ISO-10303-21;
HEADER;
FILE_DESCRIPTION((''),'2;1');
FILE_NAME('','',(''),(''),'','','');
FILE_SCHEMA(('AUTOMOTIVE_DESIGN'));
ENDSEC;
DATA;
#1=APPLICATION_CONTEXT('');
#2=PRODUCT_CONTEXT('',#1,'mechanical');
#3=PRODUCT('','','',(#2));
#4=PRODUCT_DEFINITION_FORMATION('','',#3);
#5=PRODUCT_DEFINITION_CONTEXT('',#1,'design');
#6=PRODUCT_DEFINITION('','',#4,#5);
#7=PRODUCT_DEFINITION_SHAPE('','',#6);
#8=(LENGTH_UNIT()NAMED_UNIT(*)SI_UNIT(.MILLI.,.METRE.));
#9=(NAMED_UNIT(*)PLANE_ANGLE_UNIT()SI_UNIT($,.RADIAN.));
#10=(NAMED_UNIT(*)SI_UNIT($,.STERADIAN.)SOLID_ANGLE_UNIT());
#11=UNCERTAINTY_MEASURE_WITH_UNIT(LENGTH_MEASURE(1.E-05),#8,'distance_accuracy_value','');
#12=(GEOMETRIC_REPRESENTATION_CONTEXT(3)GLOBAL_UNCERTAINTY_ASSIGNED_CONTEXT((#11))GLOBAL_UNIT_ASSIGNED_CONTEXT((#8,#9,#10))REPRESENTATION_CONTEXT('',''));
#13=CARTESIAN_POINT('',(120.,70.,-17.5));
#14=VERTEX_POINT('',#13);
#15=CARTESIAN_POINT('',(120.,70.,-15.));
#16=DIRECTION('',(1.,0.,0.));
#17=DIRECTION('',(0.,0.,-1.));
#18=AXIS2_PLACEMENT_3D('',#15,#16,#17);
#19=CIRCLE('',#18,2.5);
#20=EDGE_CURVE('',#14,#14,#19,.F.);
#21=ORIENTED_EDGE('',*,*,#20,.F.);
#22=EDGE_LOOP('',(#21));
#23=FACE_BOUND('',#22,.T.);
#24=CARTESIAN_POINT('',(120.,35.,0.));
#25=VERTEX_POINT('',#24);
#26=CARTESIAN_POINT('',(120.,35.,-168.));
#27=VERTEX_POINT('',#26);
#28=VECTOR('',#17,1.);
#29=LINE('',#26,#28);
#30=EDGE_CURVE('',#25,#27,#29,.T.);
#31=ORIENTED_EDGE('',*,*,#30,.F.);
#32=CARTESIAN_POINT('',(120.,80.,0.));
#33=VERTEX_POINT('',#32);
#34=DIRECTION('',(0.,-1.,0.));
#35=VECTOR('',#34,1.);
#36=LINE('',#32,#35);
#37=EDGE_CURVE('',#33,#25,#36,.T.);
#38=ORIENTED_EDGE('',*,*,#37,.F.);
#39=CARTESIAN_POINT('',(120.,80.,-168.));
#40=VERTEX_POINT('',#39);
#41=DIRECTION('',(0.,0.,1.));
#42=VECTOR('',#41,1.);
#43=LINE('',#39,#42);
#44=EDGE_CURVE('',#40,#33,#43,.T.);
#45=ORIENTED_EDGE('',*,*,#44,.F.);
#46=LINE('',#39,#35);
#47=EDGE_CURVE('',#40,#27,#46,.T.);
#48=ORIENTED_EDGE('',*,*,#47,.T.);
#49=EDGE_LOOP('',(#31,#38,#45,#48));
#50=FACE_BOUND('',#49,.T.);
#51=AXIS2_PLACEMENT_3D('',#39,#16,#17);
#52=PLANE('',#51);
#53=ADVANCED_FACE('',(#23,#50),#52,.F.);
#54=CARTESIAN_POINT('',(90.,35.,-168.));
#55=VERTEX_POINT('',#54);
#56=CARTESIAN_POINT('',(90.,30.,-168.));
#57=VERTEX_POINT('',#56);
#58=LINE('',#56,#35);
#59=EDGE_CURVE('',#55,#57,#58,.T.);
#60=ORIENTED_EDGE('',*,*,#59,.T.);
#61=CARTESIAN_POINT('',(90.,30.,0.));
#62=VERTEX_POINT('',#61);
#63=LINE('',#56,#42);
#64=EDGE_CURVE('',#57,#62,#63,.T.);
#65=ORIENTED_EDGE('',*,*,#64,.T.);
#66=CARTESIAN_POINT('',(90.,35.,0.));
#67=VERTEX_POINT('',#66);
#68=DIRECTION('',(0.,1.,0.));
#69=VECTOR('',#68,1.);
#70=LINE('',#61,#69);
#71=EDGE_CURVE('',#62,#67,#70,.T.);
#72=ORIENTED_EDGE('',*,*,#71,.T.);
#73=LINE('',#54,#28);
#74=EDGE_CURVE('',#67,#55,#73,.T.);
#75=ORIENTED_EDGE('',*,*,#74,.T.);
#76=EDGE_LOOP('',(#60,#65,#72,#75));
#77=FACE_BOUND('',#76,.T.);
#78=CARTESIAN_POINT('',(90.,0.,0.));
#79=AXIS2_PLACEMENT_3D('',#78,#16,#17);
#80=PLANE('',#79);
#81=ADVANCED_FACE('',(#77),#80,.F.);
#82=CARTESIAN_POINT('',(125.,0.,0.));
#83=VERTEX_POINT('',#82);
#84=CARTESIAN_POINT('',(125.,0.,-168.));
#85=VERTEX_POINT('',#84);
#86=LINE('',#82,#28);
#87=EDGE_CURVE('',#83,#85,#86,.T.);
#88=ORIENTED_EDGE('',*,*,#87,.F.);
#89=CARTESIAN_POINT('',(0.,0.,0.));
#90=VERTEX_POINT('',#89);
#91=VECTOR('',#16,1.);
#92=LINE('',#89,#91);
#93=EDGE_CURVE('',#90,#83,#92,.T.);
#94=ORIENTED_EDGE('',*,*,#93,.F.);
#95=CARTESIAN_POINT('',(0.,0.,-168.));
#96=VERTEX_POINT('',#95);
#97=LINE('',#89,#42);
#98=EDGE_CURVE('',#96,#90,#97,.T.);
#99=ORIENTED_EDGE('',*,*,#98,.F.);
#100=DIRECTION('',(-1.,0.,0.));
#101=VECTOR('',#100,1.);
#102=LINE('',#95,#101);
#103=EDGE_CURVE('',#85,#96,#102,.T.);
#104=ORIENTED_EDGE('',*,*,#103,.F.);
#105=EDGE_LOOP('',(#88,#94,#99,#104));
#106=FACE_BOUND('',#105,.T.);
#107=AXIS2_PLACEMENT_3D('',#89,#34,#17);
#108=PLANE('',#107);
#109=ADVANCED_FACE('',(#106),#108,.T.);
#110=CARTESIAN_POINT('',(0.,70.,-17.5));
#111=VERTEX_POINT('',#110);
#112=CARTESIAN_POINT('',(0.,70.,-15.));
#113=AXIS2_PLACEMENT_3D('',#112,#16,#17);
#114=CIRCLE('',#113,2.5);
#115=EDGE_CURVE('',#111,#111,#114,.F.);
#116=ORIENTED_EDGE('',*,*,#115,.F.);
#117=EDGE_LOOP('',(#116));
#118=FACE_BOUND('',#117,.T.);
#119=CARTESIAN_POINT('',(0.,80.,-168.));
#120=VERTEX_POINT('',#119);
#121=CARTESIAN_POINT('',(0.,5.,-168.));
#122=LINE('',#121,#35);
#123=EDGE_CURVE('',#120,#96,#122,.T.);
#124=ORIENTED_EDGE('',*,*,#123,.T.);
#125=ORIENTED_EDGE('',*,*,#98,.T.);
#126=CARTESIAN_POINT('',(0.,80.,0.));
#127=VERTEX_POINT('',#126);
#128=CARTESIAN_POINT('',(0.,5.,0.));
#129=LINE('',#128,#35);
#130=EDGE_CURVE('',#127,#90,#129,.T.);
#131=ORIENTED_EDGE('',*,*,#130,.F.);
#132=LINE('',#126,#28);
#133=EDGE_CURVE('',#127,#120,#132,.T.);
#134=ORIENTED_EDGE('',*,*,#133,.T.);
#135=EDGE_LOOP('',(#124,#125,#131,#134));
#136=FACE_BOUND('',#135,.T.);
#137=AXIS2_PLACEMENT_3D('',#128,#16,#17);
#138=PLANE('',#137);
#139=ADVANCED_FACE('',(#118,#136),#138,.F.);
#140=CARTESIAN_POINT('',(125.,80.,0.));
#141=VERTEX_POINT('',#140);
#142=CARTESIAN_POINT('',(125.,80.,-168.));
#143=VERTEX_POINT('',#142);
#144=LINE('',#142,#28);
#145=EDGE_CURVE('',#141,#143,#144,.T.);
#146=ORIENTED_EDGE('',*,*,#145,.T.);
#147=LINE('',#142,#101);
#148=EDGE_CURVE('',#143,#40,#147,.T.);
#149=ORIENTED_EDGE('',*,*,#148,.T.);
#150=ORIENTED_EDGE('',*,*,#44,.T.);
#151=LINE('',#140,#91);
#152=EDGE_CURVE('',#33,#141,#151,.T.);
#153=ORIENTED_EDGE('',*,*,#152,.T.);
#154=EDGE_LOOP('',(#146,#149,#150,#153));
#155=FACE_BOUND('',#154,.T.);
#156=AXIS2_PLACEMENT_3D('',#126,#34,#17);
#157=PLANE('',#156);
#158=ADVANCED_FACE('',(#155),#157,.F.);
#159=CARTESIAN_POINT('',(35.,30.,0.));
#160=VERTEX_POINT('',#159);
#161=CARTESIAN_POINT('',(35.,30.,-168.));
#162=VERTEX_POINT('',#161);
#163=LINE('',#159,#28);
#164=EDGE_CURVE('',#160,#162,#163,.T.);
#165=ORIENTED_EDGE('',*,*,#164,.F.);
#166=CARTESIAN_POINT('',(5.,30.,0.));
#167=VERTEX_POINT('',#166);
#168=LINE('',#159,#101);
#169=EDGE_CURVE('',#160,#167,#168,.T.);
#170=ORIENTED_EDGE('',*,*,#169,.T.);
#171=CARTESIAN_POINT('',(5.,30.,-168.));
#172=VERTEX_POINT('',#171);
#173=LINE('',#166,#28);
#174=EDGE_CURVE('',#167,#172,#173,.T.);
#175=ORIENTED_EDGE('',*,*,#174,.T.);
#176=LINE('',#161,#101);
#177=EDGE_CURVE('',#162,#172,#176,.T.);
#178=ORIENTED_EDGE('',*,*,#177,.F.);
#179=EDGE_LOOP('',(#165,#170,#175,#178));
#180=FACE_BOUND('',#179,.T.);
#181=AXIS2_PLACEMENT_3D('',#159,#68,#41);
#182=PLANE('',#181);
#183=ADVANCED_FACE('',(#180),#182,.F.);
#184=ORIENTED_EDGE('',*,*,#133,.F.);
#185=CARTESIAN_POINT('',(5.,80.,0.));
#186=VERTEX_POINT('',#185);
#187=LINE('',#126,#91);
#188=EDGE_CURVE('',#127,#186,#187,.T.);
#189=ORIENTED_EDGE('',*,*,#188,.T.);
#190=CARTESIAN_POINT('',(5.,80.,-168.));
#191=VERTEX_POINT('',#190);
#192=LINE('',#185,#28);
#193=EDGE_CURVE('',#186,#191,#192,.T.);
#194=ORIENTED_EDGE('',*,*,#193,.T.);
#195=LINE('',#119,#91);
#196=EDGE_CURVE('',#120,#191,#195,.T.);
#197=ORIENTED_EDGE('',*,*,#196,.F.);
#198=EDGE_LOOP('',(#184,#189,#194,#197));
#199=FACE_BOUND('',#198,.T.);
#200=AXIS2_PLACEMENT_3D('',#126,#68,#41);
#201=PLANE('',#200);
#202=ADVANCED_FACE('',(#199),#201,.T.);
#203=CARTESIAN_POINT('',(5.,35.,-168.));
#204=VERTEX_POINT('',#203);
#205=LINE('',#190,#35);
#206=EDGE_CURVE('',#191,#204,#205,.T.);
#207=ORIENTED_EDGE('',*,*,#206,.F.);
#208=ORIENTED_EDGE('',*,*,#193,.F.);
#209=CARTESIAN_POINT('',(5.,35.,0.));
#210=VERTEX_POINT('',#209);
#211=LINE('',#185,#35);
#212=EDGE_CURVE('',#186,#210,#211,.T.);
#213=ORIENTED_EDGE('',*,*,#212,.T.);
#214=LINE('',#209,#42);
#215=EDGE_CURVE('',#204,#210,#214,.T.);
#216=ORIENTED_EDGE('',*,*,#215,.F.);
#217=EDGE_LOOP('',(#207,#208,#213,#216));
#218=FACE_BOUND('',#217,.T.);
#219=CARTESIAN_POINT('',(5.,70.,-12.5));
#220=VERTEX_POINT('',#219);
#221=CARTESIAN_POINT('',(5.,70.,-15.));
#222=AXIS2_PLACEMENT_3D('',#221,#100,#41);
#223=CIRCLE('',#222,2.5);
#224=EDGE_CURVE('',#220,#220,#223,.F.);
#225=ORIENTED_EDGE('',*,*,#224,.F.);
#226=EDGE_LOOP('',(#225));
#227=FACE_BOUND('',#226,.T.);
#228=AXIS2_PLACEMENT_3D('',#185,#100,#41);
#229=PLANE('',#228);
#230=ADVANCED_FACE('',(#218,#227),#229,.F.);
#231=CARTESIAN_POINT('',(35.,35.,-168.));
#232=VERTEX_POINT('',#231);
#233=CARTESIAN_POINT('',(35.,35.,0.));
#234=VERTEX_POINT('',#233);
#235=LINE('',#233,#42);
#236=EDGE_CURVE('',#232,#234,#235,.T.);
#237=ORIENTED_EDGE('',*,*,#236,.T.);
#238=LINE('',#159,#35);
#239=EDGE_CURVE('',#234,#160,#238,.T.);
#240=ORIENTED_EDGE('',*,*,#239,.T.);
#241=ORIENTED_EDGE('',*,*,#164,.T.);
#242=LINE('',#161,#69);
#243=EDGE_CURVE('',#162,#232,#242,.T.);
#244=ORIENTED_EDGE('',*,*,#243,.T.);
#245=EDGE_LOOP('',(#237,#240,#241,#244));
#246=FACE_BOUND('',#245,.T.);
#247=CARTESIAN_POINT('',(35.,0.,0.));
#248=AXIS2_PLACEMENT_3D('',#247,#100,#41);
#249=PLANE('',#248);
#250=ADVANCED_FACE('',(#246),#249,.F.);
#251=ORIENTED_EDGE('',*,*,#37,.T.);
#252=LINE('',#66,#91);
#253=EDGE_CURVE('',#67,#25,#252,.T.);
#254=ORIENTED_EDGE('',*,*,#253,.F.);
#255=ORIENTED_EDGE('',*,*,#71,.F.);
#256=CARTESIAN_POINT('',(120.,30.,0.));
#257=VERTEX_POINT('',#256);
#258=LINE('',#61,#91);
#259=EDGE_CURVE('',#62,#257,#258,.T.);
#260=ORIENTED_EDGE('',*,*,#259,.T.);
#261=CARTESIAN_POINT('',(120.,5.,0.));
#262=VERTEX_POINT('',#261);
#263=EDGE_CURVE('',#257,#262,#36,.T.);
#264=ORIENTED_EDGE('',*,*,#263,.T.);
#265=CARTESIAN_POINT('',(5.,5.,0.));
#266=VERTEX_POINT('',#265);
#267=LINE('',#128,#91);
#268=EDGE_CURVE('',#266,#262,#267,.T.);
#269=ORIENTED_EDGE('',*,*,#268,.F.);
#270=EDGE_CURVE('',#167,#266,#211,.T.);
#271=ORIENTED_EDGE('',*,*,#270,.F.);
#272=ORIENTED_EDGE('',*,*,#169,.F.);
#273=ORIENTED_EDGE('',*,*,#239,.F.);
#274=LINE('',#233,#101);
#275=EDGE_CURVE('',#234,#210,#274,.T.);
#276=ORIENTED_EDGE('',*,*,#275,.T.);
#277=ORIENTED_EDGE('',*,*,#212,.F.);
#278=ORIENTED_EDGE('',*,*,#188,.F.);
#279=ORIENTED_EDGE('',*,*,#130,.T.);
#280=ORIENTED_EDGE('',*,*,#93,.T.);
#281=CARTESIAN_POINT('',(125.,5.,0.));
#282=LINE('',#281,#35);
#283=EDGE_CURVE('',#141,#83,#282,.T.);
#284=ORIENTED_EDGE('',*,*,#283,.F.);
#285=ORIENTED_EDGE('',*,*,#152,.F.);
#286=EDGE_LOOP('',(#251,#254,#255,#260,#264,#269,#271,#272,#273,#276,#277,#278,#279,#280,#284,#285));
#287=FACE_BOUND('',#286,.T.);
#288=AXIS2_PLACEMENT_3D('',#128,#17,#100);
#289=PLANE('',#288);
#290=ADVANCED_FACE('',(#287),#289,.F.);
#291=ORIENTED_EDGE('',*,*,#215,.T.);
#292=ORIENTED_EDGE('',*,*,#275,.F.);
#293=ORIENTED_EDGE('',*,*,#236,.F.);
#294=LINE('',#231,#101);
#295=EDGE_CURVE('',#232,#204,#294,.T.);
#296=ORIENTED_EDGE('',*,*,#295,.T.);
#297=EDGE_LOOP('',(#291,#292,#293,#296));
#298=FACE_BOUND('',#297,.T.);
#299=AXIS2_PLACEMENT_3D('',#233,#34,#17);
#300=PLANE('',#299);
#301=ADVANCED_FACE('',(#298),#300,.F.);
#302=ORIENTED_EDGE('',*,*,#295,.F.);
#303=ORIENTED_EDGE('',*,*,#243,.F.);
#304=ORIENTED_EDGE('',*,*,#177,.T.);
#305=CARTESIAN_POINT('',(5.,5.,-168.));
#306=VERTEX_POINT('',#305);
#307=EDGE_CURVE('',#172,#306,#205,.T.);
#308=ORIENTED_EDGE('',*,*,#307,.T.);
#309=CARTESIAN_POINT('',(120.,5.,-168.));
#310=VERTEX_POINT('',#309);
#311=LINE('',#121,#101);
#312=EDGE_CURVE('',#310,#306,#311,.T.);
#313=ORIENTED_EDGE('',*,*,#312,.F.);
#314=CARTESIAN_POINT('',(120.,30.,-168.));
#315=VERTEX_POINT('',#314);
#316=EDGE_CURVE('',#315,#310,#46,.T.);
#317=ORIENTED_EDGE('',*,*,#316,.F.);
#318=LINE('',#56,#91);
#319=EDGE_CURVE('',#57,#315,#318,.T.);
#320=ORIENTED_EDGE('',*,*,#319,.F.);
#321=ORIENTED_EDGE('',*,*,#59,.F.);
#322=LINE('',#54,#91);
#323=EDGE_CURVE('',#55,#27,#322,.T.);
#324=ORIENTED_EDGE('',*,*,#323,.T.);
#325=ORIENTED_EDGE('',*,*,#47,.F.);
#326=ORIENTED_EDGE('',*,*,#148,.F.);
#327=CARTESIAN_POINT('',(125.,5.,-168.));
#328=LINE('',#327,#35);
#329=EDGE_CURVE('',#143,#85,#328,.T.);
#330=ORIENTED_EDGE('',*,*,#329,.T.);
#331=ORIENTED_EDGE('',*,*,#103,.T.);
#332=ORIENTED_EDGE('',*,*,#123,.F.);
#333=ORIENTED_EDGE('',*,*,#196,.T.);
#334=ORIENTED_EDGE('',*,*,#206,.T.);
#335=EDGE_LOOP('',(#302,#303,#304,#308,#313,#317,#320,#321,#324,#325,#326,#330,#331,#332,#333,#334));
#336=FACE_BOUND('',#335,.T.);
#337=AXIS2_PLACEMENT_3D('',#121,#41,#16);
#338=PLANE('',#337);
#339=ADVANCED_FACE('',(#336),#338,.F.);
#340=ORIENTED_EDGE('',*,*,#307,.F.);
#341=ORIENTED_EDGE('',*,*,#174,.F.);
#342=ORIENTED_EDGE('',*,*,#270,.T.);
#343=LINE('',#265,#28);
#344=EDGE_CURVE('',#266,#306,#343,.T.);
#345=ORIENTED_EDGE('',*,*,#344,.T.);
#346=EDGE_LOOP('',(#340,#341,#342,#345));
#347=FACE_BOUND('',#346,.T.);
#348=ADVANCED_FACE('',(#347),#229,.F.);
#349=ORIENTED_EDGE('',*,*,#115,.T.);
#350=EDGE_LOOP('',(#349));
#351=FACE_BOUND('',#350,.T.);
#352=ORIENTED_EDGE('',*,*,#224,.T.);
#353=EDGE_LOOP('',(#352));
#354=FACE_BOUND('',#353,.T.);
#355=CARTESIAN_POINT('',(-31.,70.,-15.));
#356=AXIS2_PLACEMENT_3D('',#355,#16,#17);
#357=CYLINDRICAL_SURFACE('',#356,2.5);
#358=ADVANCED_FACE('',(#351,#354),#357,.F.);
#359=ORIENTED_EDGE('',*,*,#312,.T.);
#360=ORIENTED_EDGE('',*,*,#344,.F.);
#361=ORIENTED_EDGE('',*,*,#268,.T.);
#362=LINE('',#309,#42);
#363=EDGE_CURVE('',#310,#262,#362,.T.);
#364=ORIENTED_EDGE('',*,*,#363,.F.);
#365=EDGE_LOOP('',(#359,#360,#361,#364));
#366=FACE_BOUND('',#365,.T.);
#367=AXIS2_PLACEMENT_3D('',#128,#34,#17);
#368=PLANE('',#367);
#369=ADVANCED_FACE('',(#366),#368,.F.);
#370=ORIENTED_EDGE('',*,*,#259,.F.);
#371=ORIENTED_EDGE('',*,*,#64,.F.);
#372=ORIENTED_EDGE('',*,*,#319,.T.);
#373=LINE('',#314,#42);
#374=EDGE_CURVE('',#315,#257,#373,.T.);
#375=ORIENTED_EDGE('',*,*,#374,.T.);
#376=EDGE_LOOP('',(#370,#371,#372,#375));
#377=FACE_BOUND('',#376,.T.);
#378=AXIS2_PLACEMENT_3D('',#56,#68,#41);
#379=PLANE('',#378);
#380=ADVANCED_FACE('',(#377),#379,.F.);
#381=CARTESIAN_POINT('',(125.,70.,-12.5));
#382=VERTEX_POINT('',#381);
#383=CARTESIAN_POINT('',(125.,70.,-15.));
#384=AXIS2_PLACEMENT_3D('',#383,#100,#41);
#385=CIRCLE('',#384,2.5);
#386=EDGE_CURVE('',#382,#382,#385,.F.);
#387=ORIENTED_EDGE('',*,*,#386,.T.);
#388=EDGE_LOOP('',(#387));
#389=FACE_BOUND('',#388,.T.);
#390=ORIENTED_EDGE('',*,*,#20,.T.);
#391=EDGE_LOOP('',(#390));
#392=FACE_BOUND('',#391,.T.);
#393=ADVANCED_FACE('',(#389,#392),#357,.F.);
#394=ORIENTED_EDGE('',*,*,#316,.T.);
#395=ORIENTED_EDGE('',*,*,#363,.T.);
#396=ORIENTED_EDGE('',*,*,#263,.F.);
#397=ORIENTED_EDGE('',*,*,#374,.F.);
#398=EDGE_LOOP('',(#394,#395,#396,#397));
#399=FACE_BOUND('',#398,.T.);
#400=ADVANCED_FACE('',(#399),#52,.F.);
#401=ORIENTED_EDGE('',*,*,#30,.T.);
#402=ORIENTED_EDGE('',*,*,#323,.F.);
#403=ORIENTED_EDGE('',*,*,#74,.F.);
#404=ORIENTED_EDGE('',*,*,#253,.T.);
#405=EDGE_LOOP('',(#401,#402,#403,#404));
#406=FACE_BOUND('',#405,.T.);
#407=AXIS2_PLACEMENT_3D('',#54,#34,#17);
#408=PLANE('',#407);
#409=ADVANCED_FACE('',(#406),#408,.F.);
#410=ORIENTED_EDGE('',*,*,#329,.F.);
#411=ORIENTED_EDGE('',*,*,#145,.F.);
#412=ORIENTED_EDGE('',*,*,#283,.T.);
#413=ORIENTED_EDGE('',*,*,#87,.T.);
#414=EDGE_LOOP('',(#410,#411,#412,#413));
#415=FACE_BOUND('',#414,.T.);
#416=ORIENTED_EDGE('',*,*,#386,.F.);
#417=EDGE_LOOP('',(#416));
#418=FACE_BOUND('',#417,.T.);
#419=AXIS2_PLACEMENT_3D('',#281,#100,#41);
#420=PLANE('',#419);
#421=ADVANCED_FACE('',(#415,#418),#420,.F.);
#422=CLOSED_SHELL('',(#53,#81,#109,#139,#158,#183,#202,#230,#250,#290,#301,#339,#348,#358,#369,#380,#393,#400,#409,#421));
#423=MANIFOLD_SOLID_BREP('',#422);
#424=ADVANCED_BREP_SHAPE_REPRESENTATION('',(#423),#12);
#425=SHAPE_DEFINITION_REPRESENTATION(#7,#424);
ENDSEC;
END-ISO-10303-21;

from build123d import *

# Parameters (mm, degrees)
CROQUIS1_W                 = 125
CROQUIS1_H                 = 168
SALIENTE_EXTRUIR1_DEPTH    = 5
CROQUIS2_W                 = 5
CROQUIS2_H                 = 168
SALIENTE_EXTRUIR2_DEPTH    = 75
CROQUIS3_W                 = 5
CROQUIS3_H                 = 168
SALIENTE_EXTRUIR3_DEPTH    = 75
CROQUIS4_W                 = 168
CROQUIS4_H                 = 5
SALIENTE_EXTRUIR4_DEPTH    = 30
CROQUIS5_W                 = 168
CROQUIS5_H                 = 5
SALIENTE_EXTRUIR5_DEPTH    = 30
CROQUIS6_R                 = 2.5
CORTAR_EXTRUIR1_DEPTH      = 31
CORTAR_EXTRUIR1_DEPTH_BACK = 135


with BuildPart() as part:
    # Croquis1 → Saliente-Extruir1 (new body)
    with BuildSketch(Plane(origin=(0, 0, 0), x_dir=(1, 0, 0), z_dir=(0, 1, 0))):
        with Locations((62.5, 84)):
            Rectangle(CROQUIS1_W, CROQUIS1_H)
    extrude(amount=SALIENTE_EXTRUIR1_DEPTH)

    # Croquis2 → Saliente-Extruir2 (add)
    with BuildSketch(Plane(origin=(0, 5, 0), x_dir=(1, 0, 0), z_dir=(0, 1, 0))):
        with Locations((2.5, 84)):
            Rectangle(CROQUIS2_W, CROQUIS2_H)
    extrude(amount=SALIENTE_EXTRUIR2_DEPTH)

    # Croquis3 → Saliente-Extruir3 (add)
    with BuildSketch(Plane(origin=(0, 5, 0), x_dir=(1, 0, 0), z_dir=(0, 1, 0))):
        with Locations((122.5, 84)):
            Rectangle(CROQUIS3_W, CROQUIS3_H)
    extrude(amount=SALIENTE_EXTRUIR3_DEPTH)

    # Croquis4 → Saliente-Extruir4 (add)
    with BuildSketch(Plane(origin=(5, 0, 0), x_dir=(0, 0, -1), z_dir=(1, 0, 0))):
        with Locations((84, 32.5)):
            Rectangle(CROQUIS4_W, CROQUIS4_H)
    extrude(amount=SALIENTE_EXTRUIR4_DEPTH)

    # Croquis5 → Saliente-Extruir5 (add)
    with BuildSketch(Plane.ZY.offset(-120)):
        with Locations((-84, 32.5)):
            Rectangle(CROQUIS5_W, CROQUIS5_H)
    extrude(amount=SALIENTE_EXTRUIR5_DEPTH)

    # Croquis6 → Cortar-Extruir1 (cut, two sides)
    with BuildSketch(Plane.ZY) as cortar_extruir1_sk:
        with Locations((-15, 70)):
            Circle(CROQUIS6_R)
    extrude(amount=CORTAR_EXTRUIR1_DEPTH, mode=Mode.SUBTRACT)
    extrude(cortar_extruir1_sk.sketch, amount=-CORTAR_EXTRUIR1_DEPTH_BACK, mode=Mode.SUBTRACT)


solid = part.part
